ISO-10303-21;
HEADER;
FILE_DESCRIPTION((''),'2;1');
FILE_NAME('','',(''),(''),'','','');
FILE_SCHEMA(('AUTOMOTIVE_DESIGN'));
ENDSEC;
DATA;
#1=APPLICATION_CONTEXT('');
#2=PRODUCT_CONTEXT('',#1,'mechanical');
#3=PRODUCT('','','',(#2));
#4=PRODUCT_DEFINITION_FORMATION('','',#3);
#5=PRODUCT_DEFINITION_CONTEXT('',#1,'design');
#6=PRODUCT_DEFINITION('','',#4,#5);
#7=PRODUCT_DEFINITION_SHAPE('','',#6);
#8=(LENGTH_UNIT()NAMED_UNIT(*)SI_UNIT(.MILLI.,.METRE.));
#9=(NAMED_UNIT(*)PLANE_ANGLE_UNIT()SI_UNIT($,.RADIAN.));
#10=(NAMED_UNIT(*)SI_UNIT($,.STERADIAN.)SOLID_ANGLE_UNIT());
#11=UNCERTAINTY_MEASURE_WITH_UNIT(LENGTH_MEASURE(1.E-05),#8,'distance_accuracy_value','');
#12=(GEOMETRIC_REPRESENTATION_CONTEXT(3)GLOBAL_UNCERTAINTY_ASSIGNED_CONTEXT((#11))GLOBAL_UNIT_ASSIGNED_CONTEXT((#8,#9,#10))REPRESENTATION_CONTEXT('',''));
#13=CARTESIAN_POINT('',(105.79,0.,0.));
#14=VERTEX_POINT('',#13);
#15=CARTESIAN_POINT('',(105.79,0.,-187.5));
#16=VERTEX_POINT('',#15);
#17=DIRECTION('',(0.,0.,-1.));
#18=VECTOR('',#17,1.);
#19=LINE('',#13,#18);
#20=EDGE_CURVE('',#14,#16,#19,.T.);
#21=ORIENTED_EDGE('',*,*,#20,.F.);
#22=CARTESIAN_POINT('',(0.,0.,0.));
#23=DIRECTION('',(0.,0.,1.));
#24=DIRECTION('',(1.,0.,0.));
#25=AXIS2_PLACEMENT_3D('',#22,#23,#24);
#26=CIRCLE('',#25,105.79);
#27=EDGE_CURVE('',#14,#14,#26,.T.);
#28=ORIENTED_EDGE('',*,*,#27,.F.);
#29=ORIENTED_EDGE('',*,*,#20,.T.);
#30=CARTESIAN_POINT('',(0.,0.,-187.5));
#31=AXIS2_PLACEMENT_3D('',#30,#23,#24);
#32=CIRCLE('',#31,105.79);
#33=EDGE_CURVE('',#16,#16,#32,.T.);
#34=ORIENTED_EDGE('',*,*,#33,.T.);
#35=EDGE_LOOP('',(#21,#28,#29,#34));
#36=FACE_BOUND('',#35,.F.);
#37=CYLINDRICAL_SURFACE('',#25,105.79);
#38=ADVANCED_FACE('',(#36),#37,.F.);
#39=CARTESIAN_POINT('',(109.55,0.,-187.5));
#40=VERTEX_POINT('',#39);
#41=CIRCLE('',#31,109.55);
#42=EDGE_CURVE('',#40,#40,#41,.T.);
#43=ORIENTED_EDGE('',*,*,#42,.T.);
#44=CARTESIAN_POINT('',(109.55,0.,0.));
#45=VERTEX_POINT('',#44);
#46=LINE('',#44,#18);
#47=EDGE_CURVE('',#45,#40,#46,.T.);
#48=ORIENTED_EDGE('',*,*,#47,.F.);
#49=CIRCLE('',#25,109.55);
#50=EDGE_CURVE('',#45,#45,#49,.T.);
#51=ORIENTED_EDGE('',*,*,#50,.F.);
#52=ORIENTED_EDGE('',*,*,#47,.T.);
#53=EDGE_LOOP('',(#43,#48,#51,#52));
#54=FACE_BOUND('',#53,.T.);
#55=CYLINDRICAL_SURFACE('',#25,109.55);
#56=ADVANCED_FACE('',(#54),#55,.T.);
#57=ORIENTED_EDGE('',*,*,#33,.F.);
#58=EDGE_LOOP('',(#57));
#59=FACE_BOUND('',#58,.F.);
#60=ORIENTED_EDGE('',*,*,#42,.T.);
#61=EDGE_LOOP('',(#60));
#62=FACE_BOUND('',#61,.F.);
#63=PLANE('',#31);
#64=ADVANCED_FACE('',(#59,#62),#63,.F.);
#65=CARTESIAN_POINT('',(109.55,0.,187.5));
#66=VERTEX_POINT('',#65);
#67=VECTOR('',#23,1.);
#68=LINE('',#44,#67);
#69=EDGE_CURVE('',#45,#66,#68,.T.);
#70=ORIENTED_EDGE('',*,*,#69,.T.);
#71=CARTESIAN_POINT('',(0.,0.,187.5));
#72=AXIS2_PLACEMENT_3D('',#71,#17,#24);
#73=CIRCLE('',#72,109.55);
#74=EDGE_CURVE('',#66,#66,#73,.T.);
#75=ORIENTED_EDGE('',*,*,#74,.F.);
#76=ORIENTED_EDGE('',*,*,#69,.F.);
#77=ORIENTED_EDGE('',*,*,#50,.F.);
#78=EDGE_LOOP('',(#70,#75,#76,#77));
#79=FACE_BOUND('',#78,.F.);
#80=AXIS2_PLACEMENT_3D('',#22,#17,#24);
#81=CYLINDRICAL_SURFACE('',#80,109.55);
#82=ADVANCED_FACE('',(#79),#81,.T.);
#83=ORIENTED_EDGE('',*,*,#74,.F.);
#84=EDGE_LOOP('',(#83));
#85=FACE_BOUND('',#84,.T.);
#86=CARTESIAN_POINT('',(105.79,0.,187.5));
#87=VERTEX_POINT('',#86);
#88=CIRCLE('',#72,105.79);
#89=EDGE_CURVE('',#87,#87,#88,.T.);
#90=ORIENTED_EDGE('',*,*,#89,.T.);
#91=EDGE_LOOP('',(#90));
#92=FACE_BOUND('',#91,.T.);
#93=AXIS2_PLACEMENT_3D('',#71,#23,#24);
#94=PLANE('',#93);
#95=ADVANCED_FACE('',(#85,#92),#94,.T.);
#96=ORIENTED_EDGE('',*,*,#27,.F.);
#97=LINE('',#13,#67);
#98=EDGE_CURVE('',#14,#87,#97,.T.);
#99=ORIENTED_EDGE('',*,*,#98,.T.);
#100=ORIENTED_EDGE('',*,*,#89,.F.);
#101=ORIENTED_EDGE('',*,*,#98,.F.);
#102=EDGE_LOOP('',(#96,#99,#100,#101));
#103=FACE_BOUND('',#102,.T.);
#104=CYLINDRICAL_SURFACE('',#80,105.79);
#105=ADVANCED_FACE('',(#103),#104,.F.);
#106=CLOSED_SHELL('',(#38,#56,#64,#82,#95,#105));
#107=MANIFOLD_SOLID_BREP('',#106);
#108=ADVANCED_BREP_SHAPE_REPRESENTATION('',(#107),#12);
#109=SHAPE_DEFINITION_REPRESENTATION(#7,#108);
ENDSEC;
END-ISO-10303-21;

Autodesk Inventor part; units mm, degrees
ref_plane "YZ Plane" through (0, 0, 0) normal (1, 0, 0) x (0, 1, 0)
ref_plane "XZ Plane" through (0, 0, 0) normal (0, 1, 0) x (-1, 0, 0)
ref_plane "XY Plane" through (0, 0, 0) normal (0, 0, 1) x (1, 0, 0)
sketch "草圖1" plane through (0, 0, 0) normal (0, 0, 1) x (1, 0, 0)
  circle A0 centre (0, 0) radius 109.55
  line L0 (-94.8731, -54.775) -> (-98.1293, -56.655)
  line L1 (94.8731, -54.775) -> (98.1293, -56.655)
  line L2 (-117.81, 0) -> (117.81, 0) projected
  arc A1 (-98.1293, -56.655) -> (98.1293, -56.655) centre (0, 0) ccw
  circle A2 centre (0, 0) radius 105.79
  dimension "d0" = 219.1
  dimension "d4" = 120
  dimension "d5" = 30
  dimension "d6" = 30
  dimension "d7" = 3.76
  dimension "d12" = 3.76
sketch "草圖2" plane through (0, 0, 0) normal (0, 0, 1) x (1, 0, 0)
  line L0 (-44.45, 0) -> (44.45, 0) construction
  line L1 (-50, -209.55) -> (50, -209.55)
  line L2 (0, -109.55) -> (-51.4901, -109.55) construction
  line L3 (0, -113.31) -> (0, -136.45) construction
  line L4 (-50, -201.55) -> (-50, -209.55)
  line L5 (50, -209.55) -> (50, -201.55)
  line L6 (-50, -201.55) -> (-2.75, -201.55)
  line L7 (2.75, -201.55) -> (50, -201.55)
  line L8 (-51.4901, -113.31) -> (60.072, -113.31)
  line L9 (-2.75, -201.55) -> (-2.75, -113.31)
  line L10 (2.75, -201.55) -> (2.75, -113.31)
  arc A0 (-98.1293, -56.655) -> (98.1293, -56.655) centre (0, 0) ccw projected
  circle A1 centre (0, 0) radius 109.55 projected
  point P0 (2.75, -209.55)
  point P1 (-2.75, -209.55)
  point P2 (2.75, -87.55)
  point P3 (-2.75, -87.55)
  dimension "d14" = 100
  dimension "d15" = 100
  dimension "d18" = 8
  dimension "d19" = 5.5
  dimension "d20" = 5.5
  dimension "d21" = 8
  dimension "d22" = 100
extrude "擠出4" add sketch "草圖1" along normal mid plane 375 contours A0 L2 A2 | A0 L2 A2
equation "\"d12\" = d7"
equation "\"d14\" = Hops"
equation "\"d15\" = Section_buttom_A"
equation "\"d18\" = Section_Top_thick"
equation "\"d19\" = Section_mid_thick"
equation "\"d20\" = Section_mid_thick"
equation "\"d21\" = d18"
equation "\"d22\" = d15"
equation "\"d25\" = 1.5 * Extra_Lops"
equation "\"Section_buttom_A\" = 100"
equation "\"Extra_Plate_B\" = 0"
equation "\"Section_mid_thick\" = 5.5"
equation "\"Section_Top_thick\" = 8"
equation "\"Section_front_gap\" = 35"
equation "\"Section_side_Gap\" = 25"
equation "\"Hops\" = 100"
equation "\"d17\" = Section_Top_thick"
equation "\"Extra_Lops\" = 250"
properties part number "A" material "不鏽鋼"
